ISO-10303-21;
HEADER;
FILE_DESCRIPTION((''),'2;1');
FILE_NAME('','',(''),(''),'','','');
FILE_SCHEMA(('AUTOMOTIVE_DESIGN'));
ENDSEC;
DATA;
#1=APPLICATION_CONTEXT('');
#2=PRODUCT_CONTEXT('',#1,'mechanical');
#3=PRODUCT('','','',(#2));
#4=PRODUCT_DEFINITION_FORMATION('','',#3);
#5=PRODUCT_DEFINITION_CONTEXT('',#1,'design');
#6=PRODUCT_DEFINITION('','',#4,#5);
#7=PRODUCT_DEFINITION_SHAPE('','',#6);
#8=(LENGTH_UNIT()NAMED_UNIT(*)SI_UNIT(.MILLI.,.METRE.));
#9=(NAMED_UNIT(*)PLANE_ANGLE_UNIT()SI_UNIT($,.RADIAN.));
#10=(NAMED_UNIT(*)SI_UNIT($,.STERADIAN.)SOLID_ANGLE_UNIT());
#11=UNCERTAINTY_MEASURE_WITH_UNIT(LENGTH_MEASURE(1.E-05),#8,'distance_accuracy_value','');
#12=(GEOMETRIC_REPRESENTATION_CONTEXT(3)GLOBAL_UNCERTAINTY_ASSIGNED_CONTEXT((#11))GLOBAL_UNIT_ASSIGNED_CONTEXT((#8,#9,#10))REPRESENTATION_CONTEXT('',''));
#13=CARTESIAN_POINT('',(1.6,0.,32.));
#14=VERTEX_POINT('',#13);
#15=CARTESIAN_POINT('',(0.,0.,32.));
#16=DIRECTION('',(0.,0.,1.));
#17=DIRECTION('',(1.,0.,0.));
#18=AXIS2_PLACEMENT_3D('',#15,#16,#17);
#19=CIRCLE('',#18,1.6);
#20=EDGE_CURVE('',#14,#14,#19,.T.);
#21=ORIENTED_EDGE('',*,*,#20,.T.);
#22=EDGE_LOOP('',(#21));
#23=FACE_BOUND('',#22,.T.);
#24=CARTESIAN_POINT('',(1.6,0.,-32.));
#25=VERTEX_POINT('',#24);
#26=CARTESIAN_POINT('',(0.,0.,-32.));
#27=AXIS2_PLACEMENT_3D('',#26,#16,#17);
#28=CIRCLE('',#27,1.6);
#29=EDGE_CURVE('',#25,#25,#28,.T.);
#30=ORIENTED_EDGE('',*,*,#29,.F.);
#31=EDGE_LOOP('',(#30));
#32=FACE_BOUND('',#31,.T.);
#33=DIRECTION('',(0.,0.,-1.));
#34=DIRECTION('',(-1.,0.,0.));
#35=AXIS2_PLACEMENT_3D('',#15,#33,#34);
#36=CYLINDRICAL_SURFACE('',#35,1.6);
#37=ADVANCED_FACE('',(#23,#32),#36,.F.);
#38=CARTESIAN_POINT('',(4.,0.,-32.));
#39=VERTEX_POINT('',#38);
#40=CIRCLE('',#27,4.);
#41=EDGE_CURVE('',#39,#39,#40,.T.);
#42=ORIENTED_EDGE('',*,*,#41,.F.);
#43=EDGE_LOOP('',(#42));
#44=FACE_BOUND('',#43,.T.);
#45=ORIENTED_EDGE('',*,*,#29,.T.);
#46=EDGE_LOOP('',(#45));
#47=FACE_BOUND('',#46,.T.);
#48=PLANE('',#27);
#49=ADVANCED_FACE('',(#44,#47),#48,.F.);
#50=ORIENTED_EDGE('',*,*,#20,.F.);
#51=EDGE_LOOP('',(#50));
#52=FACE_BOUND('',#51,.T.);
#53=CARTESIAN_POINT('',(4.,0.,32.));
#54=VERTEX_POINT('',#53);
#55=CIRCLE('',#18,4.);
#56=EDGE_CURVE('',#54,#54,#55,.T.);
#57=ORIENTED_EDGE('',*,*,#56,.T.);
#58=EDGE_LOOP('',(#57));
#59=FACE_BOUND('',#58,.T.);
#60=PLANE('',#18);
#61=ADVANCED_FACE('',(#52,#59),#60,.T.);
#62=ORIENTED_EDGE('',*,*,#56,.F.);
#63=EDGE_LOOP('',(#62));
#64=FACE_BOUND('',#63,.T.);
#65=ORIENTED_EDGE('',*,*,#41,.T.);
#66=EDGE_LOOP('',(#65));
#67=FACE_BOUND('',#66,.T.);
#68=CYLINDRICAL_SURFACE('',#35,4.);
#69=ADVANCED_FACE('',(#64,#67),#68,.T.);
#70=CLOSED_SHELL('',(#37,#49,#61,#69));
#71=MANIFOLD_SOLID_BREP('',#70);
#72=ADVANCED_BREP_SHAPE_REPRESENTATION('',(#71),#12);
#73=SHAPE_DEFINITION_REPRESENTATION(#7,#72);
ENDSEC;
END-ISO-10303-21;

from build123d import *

# Parameters (mm, degrees)
SKETCH_1_R      = 4
SKETCH_1_R_2    = 1.6
EXTRUDE_1_DEPTH = 32


with BuildPart() as part:
    # 草图1 → 凸台-拉伸1 (new, symmetric)
    with BuildSketch(Plane.XY):
        Circle(SKETCH_1_R)
        Circle(SKETCH_1_R_2, mode=Mode.SUBTRACT)
    extrude(amount=EXTRUDE_1_DEPTH, both=True)


solid = part.part
